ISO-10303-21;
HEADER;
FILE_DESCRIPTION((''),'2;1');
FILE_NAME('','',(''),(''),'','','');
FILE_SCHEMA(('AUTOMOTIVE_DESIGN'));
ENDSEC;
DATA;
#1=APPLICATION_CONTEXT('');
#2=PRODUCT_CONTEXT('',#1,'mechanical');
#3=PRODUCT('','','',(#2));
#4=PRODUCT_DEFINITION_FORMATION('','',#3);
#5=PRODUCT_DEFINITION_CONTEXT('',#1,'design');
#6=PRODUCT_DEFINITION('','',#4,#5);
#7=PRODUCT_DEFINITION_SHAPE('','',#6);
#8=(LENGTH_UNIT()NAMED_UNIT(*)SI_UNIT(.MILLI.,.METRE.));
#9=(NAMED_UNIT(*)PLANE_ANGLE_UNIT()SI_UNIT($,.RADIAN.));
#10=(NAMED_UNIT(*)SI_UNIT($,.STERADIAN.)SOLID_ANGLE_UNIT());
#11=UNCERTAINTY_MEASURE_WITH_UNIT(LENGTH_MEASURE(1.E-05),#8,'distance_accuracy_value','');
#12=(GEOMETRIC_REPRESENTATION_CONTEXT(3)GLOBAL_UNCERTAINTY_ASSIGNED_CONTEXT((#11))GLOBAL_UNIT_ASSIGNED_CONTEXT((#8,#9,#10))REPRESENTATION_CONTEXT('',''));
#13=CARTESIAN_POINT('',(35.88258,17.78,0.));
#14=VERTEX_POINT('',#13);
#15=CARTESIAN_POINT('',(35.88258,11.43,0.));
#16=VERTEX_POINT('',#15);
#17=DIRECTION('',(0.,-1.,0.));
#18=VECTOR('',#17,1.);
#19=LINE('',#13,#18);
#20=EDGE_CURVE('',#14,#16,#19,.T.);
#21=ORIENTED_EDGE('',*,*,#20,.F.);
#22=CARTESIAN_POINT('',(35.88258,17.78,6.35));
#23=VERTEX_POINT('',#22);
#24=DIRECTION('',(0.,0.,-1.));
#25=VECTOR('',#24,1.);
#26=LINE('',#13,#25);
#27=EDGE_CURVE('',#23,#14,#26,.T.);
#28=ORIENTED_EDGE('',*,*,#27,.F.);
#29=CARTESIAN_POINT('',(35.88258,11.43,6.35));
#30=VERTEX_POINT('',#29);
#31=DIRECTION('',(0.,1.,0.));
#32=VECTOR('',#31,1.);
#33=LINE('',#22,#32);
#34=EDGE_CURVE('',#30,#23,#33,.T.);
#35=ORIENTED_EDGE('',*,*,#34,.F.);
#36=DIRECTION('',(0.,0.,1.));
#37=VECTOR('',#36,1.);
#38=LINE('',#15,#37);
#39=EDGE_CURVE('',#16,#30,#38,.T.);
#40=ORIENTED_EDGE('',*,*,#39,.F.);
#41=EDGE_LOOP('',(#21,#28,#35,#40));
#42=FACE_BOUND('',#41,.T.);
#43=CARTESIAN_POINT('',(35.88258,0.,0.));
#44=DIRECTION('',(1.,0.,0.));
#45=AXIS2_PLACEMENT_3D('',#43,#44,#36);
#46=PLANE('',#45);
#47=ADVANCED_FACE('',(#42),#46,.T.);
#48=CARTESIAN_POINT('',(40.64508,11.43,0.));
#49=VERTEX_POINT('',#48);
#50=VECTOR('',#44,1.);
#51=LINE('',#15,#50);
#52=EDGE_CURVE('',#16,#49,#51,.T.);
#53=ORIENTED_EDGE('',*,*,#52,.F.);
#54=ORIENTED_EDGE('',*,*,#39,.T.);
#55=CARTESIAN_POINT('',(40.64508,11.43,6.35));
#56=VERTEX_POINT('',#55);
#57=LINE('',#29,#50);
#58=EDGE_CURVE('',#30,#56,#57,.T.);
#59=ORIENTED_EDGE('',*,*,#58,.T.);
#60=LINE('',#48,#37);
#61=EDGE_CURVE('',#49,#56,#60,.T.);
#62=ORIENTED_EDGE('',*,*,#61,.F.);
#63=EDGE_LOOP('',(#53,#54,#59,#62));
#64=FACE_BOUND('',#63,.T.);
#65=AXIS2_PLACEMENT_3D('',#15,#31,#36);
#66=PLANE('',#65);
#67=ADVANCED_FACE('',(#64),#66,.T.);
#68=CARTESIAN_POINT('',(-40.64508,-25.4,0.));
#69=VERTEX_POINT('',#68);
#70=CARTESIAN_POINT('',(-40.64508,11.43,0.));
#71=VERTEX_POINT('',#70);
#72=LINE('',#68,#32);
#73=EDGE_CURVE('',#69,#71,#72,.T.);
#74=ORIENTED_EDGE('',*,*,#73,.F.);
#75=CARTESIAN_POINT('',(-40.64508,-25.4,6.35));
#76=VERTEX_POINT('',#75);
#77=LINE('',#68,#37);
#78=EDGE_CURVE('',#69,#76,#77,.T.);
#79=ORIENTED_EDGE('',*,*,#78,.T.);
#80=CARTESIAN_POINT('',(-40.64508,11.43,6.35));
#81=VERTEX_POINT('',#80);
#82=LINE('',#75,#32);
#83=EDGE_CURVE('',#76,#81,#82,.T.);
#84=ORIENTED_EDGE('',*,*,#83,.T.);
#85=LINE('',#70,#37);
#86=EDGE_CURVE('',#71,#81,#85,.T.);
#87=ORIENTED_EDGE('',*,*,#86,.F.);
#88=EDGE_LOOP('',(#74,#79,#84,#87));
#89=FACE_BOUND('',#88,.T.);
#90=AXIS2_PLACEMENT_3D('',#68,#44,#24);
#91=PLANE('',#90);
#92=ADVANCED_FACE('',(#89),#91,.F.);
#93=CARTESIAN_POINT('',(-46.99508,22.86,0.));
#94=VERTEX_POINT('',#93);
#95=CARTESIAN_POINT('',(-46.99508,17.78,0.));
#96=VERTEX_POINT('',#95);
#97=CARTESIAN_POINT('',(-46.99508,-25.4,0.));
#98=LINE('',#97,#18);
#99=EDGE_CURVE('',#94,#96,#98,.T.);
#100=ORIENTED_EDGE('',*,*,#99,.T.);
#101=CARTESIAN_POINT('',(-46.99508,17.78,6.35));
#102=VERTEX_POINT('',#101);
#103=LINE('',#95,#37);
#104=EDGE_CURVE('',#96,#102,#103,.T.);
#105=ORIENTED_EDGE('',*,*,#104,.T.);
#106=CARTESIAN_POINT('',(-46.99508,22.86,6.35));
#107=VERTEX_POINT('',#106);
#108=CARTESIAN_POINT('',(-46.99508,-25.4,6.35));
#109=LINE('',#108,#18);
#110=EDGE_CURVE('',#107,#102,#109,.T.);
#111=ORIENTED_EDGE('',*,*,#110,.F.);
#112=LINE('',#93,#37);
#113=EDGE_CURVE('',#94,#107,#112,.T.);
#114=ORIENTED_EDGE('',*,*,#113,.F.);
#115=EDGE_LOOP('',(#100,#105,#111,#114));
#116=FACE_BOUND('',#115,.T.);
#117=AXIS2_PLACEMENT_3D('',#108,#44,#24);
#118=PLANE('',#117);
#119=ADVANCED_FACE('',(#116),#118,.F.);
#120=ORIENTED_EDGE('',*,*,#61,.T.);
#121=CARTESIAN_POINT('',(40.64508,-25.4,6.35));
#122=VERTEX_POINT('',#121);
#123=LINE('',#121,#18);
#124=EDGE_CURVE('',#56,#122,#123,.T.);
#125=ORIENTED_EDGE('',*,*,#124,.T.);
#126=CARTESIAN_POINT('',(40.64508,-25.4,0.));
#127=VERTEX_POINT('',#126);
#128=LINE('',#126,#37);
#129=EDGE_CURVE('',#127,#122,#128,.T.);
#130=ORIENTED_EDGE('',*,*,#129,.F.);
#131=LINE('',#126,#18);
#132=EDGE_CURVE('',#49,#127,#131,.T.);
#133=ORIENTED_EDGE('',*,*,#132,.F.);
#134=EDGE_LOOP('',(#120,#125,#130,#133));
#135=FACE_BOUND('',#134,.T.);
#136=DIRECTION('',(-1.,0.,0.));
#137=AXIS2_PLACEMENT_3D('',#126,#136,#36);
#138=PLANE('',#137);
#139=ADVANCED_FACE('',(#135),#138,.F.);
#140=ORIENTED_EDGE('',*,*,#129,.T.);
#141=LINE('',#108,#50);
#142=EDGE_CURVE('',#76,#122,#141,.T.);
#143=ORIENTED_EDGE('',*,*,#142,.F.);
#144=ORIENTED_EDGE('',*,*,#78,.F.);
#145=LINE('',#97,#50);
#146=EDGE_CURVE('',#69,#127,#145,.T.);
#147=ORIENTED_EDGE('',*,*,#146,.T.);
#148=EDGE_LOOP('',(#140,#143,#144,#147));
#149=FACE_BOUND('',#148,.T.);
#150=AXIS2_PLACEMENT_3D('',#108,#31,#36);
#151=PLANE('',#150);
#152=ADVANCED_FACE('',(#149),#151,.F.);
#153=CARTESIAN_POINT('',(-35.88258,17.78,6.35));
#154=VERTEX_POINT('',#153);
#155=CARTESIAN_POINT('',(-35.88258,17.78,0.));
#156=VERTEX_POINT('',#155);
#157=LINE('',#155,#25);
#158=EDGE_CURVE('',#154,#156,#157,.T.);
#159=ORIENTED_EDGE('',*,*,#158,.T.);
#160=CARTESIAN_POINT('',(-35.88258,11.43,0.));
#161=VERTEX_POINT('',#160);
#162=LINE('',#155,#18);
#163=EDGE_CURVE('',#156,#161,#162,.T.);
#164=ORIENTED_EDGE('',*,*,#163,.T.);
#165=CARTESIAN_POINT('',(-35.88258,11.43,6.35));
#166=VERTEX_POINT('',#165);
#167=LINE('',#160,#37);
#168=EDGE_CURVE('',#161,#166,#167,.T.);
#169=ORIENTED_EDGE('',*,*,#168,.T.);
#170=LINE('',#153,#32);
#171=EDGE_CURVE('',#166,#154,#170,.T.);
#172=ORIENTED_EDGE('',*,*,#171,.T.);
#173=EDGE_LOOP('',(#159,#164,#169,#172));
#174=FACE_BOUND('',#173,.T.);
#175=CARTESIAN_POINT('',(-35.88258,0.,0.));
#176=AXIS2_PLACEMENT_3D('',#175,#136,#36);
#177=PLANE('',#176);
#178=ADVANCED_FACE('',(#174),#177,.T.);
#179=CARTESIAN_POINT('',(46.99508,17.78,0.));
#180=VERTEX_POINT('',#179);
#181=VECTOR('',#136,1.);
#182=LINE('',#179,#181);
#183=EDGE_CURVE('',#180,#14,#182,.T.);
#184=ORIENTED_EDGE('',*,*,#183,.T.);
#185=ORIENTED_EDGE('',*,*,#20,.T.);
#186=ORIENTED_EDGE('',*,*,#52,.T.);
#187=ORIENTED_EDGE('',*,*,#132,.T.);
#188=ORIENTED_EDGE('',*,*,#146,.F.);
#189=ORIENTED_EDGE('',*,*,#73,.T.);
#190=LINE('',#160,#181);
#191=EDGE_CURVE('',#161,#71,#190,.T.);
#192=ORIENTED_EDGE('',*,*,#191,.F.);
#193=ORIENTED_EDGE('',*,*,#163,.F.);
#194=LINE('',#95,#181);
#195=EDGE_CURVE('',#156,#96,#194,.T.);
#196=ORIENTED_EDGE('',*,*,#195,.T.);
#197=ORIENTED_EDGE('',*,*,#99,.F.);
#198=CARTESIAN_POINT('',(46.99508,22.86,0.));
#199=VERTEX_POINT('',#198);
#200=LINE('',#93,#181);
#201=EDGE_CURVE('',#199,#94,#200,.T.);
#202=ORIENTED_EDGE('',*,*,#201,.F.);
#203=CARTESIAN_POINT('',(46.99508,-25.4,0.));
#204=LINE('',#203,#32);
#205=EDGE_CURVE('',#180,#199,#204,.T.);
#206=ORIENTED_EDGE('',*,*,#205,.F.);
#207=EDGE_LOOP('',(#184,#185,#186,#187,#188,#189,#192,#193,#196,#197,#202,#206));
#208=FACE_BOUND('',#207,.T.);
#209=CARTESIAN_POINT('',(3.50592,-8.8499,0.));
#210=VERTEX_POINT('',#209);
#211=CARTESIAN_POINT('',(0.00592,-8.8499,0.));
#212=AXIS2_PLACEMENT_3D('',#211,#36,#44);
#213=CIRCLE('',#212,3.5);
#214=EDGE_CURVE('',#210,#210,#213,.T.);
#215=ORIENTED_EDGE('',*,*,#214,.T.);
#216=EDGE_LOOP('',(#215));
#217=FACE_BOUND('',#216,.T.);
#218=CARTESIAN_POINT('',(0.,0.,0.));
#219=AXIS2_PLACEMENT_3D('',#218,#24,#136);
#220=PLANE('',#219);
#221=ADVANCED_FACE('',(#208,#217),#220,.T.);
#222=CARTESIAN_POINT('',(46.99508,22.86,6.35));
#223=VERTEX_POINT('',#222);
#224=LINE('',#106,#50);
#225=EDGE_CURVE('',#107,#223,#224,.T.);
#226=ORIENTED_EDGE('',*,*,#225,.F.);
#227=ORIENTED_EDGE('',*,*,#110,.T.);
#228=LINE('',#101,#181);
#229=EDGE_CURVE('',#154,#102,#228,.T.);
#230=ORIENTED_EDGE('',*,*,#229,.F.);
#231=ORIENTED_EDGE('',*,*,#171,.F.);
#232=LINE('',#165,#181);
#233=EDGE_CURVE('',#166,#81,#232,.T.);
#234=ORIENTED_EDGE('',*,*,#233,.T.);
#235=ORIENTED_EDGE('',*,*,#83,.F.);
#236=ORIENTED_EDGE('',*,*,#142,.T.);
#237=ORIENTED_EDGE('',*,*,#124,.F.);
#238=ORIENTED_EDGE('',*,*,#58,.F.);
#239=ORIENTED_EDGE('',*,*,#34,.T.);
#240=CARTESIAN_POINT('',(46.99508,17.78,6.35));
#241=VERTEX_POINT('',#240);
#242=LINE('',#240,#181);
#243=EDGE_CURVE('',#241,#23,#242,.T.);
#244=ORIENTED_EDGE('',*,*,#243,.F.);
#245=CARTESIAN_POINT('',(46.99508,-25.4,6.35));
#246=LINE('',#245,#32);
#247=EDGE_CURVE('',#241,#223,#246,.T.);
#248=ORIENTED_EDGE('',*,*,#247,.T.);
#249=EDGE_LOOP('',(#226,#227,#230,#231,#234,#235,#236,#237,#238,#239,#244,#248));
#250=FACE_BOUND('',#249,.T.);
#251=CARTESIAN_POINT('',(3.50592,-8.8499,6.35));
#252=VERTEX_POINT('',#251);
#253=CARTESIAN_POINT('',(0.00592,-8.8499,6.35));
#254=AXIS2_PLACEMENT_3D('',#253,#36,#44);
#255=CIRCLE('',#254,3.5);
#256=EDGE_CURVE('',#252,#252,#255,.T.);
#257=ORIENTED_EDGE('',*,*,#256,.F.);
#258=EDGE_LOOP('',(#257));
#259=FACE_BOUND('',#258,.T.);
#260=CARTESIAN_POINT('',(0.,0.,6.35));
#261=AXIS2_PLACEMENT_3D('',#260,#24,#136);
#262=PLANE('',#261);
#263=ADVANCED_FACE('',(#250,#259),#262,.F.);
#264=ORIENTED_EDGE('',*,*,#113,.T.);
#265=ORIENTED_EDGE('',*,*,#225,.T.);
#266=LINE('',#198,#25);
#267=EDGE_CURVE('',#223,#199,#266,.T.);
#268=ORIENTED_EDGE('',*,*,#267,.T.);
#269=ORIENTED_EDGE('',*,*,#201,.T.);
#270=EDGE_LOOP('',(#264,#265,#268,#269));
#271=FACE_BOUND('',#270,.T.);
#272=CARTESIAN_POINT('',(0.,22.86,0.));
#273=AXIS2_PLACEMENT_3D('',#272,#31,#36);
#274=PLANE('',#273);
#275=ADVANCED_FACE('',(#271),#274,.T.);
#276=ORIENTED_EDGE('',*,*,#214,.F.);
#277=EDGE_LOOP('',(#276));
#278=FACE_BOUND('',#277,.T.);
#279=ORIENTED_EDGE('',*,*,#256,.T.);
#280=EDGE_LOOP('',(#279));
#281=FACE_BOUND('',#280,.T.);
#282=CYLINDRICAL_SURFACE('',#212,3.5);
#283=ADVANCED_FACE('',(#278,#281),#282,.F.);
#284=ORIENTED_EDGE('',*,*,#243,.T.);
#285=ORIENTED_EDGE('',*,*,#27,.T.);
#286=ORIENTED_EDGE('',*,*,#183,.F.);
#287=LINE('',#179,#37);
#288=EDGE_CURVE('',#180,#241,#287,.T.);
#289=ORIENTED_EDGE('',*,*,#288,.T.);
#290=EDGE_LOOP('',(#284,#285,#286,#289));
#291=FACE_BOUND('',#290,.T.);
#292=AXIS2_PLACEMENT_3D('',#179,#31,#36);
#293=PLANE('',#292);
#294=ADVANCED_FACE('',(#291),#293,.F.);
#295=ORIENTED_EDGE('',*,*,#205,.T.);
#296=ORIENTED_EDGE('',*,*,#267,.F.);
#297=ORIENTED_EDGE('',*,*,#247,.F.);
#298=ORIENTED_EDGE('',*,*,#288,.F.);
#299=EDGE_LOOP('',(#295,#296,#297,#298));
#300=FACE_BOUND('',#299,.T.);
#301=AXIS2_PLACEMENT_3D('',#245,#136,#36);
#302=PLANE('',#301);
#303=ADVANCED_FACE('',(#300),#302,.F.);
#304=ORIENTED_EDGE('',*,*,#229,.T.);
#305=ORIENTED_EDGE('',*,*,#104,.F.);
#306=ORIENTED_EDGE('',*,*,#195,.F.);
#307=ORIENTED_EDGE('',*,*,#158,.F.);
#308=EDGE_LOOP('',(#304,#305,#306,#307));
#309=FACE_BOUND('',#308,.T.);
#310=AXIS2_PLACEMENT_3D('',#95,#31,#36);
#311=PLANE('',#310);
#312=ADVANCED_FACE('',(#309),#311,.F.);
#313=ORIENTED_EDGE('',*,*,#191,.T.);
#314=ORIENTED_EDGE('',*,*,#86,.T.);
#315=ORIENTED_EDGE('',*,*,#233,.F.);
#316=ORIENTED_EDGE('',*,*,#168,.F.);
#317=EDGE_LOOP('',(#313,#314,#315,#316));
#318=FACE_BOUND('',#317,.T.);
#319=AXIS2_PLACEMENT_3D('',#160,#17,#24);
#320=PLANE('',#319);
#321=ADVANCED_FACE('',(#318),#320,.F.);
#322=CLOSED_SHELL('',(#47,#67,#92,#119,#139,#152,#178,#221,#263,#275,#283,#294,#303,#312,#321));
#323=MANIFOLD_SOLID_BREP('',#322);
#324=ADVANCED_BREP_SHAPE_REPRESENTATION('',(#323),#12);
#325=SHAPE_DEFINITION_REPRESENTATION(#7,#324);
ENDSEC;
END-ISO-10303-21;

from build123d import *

# Parameters (mm, degrees)
SKETCH1_W           = 93.99016
SKETCH1_H           = 50.8
BOSS_EXTRUDE1_DEPTH = 6.35
SKETCH2_W           = 6.35
SKETCH2_H           = 43.18
CUT_EXTRUDE1_DEPTH  = 6.35
SKETCH3_W           = 93.99016
SKETCH3_H           = 6.35
CUT_EXTRUDE2_DEPTH  = 2.54
SKETCH5_W           = 6.35
SKETCH5_H           = 6.35
CUT_EXTRUDE3_DEPTH  = 4.7625
SKETCH6_R           = 3.5
CUT_EXTRUDE4_DEPTH  = 6.35


with BuildPart() as part:
    # Sketch1 → Boss-Extrude1 (new body)
    with BuildSketch(Plane.XY):
        Rectangle(SKETCH1_W, SKETCH1_H)
    extrude(amount=BOSS_EXTRUDE1_DEPTH)

    # Sketch2 → Cut-Extrude1 (cut)
    with BuildSketch(Plane.XY.offset(6.35)):
        with Locations((-43.82008, -3.81)):
            Rectangle(SKETCH2_W, SKETCH2_H)
        with Locations((43.82008, -3.81)):
            Rectangle(SKETCH2_W, SKETCH2_H)
    extrude(amount=-CUT_EXTRUDE1_DEPTH, mode=Mode.SUBTRACT)

    # Sketch3 → Cut-Extrude2 (cut)
    with BuildSketch(Plane(origin=(0, 25.4, 0), x_dir=(1, 0, 0), z_dir=(0, 1, 0))):
        with Locations((0, -3.175)):
            Rectangle(SKETCH3_W, SKETCH3_H)
    extrude(amount=-CUT_EXTRUDE2_DEPTH, mode=Mode.SUBTRACT)

    # Sketch5 → Cut-Extrude3 (cut)
    with BuildSketch(Plane.ZY.offset(40.64508)):
        with Locations((3.175, 14.605)):
            Rectangle(SKETCH5_W, SKETCH5_H)
    cut_extrude3 = extrude(amount=-CUT_EXTRUDE3_DEPTH, mode=Mode.SUBTRACT)

    # Mirror1: Cut-Extrude3 across plane
    add(cut_extrude3.mirror(Plane(origin=(0, 0, 0), x_dir=(0, 0, 1), z_dir=(1, 0, 0))), mode=Mode.SUBTRACT)

    # Sketch6 → Cut-Extrude4 (cut)
    with BuildSketch(Plane.XY.offset(6.35)):
        with Locations((0.00592, -8.8499)):
            Circle(SKETCH6_R)
    extrude(amount=-CUT_EXTRUDE4_DEPTH, mode=Mode.SUBTRACT)


solid = part.part
